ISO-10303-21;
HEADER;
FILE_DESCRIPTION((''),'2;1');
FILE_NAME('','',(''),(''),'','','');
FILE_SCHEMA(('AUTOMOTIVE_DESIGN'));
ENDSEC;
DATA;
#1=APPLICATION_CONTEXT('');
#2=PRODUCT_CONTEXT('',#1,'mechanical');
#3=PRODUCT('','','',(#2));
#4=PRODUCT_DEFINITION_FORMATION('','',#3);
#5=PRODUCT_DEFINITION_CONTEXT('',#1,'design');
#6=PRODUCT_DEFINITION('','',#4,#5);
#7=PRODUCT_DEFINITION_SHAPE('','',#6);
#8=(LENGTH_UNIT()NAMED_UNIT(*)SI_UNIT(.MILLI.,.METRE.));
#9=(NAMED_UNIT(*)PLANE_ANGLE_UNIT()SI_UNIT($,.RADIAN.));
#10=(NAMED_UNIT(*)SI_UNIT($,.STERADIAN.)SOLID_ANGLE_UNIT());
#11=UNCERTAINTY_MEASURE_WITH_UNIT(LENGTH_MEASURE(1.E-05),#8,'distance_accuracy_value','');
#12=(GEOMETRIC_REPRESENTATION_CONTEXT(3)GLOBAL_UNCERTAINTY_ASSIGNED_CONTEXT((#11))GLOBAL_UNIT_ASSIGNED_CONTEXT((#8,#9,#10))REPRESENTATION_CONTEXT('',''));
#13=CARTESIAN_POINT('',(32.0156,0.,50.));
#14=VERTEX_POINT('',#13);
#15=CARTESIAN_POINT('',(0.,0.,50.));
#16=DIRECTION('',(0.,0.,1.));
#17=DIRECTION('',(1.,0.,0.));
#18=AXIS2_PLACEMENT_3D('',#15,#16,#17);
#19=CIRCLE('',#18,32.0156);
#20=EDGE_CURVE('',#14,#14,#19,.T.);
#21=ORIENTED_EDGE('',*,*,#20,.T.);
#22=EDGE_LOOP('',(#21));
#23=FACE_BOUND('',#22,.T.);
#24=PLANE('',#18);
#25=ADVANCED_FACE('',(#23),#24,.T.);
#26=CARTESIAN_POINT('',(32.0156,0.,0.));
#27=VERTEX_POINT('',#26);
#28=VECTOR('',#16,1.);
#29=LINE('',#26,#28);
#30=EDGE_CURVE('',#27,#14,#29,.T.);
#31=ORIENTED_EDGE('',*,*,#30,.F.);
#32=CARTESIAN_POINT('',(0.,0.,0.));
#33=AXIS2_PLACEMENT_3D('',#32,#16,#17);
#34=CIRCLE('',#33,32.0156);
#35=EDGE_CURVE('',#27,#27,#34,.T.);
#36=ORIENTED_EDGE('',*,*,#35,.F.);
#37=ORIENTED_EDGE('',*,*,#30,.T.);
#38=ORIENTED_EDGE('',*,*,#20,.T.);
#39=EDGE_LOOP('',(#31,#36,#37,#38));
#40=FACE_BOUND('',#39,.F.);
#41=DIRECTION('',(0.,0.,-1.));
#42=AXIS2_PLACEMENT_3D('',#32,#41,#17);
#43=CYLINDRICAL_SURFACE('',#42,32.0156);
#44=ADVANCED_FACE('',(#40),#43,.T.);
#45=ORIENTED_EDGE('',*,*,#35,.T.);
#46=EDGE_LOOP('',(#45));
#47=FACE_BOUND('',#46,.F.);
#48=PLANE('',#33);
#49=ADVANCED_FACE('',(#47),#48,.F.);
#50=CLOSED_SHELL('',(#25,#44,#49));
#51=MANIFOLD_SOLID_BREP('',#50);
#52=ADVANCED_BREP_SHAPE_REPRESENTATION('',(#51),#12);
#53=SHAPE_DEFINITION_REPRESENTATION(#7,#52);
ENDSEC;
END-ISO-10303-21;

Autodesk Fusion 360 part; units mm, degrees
sketch "Sketch1" plane through (0, 0, 0) normal (0, 0, 1) x (1, 0, 0)
  circle A0 centre (0, 0) radius 32.0156
extrude "Extrude1" add sketch "Sketch1" along normal blind 50
